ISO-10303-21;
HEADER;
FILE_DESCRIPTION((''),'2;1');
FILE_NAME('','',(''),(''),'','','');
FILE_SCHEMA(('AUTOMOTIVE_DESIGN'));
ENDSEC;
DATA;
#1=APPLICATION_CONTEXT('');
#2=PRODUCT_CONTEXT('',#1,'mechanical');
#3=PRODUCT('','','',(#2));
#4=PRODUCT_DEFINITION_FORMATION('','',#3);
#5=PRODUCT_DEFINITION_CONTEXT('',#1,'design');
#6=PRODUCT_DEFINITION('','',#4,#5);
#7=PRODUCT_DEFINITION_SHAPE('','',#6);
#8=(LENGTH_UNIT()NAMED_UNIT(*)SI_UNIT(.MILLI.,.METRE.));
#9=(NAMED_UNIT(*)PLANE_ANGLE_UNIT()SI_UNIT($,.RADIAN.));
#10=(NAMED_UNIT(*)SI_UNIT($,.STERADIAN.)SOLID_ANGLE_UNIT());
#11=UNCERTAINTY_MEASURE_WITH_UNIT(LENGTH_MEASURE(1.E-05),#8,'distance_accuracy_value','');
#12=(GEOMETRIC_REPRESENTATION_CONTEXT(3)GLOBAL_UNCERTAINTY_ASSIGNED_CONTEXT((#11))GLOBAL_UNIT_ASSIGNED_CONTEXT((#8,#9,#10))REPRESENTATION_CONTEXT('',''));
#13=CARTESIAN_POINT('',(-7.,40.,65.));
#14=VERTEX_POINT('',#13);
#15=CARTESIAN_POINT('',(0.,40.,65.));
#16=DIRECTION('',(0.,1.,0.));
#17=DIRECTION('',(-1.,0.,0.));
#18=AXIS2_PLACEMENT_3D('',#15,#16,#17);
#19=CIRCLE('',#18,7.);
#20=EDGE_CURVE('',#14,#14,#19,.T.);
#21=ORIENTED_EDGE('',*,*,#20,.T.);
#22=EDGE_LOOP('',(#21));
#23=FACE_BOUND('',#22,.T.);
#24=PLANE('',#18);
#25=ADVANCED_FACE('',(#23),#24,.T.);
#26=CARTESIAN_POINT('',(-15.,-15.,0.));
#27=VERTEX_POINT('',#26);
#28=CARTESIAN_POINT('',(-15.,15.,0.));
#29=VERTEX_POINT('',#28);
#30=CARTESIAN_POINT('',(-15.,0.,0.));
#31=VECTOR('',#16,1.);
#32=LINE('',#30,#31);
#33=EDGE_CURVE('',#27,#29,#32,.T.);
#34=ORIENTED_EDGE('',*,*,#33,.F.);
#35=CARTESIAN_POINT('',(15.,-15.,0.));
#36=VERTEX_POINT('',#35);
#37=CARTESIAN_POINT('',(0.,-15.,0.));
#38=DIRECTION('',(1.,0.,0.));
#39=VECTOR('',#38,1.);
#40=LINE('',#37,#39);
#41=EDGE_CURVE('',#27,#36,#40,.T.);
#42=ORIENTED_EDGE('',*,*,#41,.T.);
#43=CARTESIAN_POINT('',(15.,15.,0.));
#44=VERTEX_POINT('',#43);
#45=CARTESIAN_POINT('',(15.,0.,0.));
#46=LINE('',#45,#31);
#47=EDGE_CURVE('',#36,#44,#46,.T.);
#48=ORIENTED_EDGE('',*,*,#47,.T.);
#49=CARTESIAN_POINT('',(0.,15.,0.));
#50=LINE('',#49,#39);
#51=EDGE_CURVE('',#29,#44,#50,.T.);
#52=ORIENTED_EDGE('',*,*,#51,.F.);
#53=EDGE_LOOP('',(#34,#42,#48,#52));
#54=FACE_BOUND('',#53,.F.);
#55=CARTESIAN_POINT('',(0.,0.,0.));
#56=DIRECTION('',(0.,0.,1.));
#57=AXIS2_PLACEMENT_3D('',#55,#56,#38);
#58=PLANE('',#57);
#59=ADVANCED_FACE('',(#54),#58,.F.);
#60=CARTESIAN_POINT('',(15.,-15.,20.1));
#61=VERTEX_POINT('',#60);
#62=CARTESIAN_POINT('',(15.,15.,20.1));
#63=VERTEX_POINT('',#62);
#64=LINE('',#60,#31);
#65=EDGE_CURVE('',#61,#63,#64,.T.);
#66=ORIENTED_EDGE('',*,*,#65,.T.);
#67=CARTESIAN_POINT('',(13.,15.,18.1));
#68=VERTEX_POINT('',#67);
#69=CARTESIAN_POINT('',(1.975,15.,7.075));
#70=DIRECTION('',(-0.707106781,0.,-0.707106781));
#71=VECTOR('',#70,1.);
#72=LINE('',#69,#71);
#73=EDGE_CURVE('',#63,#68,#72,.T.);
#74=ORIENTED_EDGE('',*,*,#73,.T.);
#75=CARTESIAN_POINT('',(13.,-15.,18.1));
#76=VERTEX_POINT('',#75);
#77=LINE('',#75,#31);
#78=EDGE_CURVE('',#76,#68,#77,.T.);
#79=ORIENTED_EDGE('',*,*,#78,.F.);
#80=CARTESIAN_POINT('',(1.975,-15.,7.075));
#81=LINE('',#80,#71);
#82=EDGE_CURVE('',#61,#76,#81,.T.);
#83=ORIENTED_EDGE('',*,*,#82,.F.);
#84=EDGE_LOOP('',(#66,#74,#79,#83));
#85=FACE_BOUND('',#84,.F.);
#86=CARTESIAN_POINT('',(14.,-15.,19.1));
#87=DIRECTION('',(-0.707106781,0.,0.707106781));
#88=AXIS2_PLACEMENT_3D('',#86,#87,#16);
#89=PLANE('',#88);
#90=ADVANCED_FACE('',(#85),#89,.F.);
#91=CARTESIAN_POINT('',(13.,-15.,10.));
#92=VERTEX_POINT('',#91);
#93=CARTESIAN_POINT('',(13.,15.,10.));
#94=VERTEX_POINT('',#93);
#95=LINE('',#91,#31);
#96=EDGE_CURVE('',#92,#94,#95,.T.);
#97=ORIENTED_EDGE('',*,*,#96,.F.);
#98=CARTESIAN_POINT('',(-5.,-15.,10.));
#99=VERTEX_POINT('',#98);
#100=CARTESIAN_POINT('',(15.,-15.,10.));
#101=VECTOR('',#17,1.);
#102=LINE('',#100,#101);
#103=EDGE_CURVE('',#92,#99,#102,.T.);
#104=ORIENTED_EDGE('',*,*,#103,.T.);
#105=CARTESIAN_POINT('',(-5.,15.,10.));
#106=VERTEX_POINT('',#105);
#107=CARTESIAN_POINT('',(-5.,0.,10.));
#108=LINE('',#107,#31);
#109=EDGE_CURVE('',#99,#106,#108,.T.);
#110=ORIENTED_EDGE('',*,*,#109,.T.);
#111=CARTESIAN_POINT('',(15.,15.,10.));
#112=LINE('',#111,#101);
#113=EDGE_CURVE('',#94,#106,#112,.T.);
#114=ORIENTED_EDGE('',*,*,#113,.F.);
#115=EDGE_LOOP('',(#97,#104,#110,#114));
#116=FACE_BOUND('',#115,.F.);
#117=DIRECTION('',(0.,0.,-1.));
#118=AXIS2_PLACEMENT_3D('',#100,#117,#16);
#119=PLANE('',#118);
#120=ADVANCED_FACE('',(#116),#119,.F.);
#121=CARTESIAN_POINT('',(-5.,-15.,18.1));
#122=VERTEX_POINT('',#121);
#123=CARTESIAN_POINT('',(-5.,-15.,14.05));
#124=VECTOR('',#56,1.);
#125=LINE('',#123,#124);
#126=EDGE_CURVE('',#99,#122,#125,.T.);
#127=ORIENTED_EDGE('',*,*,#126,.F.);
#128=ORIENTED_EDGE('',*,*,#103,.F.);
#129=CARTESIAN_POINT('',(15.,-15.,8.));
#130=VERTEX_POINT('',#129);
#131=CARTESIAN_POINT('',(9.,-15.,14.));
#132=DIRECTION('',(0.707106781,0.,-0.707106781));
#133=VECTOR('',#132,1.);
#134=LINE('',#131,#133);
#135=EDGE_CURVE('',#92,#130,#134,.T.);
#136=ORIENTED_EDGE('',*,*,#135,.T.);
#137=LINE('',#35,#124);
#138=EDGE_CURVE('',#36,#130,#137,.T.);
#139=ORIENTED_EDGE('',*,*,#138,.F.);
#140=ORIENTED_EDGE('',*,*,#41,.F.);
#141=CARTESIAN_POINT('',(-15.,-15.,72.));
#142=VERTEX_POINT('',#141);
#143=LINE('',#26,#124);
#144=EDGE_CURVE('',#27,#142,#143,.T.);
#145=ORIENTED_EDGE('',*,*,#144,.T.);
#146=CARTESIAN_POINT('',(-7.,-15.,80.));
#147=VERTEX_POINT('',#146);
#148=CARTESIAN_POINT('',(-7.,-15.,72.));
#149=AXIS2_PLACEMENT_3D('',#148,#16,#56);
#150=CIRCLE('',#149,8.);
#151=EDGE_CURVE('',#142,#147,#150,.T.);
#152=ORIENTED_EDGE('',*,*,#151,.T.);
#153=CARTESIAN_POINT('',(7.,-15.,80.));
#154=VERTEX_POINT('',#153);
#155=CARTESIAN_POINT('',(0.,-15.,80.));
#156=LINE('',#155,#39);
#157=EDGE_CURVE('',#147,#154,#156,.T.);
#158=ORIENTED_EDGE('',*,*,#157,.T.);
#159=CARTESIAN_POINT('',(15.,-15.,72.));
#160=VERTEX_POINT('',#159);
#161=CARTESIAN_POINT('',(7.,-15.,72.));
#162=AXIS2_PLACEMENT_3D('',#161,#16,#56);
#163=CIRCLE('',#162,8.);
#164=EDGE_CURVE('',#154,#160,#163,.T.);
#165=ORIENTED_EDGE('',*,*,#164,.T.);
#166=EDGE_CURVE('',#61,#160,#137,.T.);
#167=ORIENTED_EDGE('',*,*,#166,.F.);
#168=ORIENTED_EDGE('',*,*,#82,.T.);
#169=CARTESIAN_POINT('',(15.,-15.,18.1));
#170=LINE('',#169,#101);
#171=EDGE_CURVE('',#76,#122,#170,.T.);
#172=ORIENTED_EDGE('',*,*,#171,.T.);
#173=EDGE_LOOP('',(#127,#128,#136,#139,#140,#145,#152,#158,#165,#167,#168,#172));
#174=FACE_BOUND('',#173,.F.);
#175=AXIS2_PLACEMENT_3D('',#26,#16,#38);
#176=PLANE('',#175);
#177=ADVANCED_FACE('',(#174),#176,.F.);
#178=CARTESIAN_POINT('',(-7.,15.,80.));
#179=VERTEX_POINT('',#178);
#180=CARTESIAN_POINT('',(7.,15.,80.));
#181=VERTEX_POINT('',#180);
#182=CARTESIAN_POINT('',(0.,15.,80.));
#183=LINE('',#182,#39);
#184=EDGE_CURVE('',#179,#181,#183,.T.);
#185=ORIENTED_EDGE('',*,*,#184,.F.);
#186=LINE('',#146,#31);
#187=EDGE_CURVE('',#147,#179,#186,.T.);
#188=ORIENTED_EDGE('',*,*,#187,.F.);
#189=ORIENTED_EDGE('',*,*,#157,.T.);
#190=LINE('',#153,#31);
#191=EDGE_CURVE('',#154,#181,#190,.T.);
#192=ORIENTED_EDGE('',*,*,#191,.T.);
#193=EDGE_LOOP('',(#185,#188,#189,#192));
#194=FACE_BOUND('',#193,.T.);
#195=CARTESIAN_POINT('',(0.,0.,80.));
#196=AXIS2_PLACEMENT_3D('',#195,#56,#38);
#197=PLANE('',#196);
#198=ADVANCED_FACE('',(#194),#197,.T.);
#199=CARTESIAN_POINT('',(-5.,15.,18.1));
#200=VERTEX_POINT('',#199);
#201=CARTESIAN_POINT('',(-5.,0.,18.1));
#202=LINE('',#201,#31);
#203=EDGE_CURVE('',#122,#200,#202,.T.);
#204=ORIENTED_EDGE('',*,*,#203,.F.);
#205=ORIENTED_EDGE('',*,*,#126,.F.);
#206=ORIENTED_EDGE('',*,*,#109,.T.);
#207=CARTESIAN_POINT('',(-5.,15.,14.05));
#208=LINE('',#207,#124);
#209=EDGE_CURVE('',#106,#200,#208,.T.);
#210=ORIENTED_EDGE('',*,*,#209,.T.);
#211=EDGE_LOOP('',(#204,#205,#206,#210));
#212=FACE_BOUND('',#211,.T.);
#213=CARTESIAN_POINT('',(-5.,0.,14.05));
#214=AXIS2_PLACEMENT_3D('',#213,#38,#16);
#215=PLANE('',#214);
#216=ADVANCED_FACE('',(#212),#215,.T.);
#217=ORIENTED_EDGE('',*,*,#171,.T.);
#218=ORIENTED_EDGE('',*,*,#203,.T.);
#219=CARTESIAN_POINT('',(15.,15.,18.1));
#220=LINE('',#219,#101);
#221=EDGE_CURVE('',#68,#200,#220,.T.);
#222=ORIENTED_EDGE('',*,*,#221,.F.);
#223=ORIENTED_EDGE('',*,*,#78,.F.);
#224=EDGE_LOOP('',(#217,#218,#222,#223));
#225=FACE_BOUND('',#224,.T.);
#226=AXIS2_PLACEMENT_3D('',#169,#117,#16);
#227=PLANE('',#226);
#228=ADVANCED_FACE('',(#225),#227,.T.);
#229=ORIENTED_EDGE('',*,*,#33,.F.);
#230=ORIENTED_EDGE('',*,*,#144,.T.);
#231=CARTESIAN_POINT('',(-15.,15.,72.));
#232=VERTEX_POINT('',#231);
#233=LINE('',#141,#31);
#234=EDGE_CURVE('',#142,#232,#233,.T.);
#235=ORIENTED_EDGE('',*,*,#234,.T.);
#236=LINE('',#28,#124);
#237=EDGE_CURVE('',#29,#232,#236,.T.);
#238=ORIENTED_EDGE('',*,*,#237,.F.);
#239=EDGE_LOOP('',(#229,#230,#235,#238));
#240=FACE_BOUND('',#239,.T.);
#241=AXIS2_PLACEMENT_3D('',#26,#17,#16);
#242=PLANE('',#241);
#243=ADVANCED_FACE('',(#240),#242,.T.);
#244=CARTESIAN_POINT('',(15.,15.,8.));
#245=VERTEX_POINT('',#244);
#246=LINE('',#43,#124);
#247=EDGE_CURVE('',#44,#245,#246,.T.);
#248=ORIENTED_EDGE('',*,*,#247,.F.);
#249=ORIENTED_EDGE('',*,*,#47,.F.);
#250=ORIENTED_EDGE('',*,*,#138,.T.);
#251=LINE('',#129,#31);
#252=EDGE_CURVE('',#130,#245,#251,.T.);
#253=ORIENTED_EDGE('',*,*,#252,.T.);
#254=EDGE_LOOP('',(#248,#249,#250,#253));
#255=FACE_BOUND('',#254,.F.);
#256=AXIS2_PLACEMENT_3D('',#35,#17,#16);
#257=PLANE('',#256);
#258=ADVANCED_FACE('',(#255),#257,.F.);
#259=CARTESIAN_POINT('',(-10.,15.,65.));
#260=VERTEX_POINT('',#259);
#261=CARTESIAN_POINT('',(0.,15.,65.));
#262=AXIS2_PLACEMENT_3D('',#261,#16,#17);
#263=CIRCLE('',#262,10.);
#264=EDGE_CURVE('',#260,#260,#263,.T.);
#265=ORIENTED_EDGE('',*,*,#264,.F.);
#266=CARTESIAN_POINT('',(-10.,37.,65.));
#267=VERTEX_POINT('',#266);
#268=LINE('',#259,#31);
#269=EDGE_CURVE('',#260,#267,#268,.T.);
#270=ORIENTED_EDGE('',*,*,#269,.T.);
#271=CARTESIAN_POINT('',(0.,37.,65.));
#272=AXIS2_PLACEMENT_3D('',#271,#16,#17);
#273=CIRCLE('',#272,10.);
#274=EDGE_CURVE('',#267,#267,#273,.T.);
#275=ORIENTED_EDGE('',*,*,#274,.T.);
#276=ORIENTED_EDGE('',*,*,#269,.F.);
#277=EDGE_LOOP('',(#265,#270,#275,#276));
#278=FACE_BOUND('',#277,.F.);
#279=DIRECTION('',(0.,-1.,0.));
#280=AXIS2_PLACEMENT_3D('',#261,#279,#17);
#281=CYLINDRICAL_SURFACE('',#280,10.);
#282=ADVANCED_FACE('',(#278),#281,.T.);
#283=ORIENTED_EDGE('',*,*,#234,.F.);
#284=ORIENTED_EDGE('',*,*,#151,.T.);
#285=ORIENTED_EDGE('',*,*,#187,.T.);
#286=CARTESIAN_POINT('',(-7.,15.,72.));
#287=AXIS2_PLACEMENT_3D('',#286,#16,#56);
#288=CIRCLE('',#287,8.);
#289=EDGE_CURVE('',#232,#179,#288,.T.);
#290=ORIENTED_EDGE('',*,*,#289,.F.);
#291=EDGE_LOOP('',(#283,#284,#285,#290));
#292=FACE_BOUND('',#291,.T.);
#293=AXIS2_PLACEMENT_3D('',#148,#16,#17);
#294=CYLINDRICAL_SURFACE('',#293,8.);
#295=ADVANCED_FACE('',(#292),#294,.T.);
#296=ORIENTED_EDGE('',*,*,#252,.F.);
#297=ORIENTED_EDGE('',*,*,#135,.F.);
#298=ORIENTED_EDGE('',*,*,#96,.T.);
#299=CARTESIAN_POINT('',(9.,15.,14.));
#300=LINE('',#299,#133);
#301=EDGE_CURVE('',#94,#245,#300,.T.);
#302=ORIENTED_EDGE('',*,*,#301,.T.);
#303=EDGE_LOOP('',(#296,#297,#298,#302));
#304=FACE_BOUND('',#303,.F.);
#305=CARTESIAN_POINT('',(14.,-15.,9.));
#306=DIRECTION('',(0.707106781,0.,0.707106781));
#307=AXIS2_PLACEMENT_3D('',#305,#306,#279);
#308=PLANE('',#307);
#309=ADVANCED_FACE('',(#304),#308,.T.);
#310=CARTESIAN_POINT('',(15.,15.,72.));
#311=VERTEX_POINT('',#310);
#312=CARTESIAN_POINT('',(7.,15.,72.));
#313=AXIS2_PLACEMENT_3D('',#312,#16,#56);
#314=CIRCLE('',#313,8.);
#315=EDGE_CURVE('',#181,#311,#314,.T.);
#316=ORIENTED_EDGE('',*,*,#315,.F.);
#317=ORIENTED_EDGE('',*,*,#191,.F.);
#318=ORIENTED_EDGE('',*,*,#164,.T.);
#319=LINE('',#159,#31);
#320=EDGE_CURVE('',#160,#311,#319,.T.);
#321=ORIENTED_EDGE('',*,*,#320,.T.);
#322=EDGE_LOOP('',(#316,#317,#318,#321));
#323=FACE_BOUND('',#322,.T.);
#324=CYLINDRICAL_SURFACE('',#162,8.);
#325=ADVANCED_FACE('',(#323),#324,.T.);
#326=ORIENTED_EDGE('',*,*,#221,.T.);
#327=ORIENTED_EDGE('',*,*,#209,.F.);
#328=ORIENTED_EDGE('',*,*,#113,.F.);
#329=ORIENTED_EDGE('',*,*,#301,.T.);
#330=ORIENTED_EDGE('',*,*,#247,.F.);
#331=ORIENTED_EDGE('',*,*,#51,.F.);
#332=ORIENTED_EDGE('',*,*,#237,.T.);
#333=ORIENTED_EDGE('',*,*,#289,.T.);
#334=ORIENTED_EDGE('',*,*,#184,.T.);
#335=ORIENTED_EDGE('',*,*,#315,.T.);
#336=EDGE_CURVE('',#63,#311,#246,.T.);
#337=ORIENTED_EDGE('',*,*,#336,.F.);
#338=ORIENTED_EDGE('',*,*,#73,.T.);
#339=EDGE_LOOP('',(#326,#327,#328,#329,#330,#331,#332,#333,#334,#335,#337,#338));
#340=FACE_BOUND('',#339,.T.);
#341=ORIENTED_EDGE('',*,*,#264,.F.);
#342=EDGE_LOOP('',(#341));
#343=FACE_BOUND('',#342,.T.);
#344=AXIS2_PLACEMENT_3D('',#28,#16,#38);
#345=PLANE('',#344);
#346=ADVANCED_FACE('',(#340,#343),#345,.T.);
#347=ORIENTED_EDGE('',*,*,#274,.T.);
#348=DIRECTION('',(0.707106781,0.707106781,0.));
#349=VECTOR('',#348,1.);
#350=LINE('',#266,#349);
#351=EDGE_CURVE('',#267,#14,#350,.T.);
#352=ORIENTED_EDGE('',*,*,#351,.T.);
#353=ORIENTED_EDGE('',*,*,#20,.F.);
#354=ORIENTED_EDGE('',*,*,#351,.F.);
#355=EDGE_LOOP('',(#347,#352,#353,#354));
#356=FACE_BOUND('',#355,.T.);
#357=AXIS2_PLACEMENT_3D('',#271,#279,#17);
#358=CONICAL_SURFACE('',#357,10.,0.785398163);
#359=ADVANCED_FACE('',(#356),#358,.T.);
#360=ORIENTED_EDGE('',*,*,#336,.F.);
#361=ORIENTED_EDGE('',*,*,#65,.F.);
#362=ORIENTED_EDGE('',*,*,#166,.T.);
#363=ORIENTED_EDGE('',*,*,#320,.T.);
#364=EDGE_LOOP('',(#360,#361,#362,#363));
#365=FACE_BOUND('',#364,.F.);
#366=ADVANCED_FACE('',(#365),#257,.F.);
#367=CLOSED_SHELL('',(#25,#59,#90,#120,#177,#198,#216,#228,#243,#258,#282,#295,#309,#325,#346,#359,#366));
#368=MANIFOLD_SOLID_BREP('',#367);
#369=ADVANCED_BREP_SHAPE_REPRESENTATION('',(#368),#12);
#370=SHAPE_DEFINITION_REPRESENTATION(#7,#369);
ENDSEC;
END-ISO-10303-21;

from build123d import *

# Parameters (mm, degrees)
F0_W     = 30
F0_H     = 30
F1_DEPTH = 80
F2_W     = 30
F2_H     = 8.1
F3_DEPTH = 20
F4_R     = 8
F5_SIZE  = 2
F6_R     = 10
F7_DEPTH = 25
F8_SIZE  = 3


with BuildPart() as f1:
    # F0 (on Top) → F1 (new body)
    with BuildSketch(Plane.XY):
        Rectangle(F0_W, F0_H)
    extrude(amount=F1_DEPTH)

    # F2 (on face) → F3 (cut)
    with BuildSketch(Plane.YZ.offset(15)):
        with Locations((0, 14.05)):
            Rectangle(F2_W, F2_H)
    extrude(amount=-F3_DEPTH, mode=Mode.SUBTRACT)

    # F4
    f4_edges = [f1.edges().sort_by_distance(p)[0] for p in [
        (15, 0, 80),
        (-15, 0, 80),
    ]]
    fillet(f4_edges, radius=F4_R)

    # F5
    f5_edges = [f1.edges().sort_by_distance(p)[0] for p in [
        (15, 0, 18.1),
        (15, 0, 10),
    ]]
    chamfer(f5_edges, length=F5_SIZE)

    # F6 (on face) → F7 (join)
    with BuildSketch(Plane(origin=(0, 15, 0), x_dir=(-1, 0, 0), z_dir=(0, 1, 0))):
        with Locations((0, 65)):
            Circle(F6_R)
    extrude(amount=F7_DEPTH)

    # F8
    f8_edges = [f1.edges().sort_by_distance(p)[0] for p in [
        (10, 40, 65),
    ]]
    chamfer(f8_edges, length=F8_SIZE)


solid = f1.part
